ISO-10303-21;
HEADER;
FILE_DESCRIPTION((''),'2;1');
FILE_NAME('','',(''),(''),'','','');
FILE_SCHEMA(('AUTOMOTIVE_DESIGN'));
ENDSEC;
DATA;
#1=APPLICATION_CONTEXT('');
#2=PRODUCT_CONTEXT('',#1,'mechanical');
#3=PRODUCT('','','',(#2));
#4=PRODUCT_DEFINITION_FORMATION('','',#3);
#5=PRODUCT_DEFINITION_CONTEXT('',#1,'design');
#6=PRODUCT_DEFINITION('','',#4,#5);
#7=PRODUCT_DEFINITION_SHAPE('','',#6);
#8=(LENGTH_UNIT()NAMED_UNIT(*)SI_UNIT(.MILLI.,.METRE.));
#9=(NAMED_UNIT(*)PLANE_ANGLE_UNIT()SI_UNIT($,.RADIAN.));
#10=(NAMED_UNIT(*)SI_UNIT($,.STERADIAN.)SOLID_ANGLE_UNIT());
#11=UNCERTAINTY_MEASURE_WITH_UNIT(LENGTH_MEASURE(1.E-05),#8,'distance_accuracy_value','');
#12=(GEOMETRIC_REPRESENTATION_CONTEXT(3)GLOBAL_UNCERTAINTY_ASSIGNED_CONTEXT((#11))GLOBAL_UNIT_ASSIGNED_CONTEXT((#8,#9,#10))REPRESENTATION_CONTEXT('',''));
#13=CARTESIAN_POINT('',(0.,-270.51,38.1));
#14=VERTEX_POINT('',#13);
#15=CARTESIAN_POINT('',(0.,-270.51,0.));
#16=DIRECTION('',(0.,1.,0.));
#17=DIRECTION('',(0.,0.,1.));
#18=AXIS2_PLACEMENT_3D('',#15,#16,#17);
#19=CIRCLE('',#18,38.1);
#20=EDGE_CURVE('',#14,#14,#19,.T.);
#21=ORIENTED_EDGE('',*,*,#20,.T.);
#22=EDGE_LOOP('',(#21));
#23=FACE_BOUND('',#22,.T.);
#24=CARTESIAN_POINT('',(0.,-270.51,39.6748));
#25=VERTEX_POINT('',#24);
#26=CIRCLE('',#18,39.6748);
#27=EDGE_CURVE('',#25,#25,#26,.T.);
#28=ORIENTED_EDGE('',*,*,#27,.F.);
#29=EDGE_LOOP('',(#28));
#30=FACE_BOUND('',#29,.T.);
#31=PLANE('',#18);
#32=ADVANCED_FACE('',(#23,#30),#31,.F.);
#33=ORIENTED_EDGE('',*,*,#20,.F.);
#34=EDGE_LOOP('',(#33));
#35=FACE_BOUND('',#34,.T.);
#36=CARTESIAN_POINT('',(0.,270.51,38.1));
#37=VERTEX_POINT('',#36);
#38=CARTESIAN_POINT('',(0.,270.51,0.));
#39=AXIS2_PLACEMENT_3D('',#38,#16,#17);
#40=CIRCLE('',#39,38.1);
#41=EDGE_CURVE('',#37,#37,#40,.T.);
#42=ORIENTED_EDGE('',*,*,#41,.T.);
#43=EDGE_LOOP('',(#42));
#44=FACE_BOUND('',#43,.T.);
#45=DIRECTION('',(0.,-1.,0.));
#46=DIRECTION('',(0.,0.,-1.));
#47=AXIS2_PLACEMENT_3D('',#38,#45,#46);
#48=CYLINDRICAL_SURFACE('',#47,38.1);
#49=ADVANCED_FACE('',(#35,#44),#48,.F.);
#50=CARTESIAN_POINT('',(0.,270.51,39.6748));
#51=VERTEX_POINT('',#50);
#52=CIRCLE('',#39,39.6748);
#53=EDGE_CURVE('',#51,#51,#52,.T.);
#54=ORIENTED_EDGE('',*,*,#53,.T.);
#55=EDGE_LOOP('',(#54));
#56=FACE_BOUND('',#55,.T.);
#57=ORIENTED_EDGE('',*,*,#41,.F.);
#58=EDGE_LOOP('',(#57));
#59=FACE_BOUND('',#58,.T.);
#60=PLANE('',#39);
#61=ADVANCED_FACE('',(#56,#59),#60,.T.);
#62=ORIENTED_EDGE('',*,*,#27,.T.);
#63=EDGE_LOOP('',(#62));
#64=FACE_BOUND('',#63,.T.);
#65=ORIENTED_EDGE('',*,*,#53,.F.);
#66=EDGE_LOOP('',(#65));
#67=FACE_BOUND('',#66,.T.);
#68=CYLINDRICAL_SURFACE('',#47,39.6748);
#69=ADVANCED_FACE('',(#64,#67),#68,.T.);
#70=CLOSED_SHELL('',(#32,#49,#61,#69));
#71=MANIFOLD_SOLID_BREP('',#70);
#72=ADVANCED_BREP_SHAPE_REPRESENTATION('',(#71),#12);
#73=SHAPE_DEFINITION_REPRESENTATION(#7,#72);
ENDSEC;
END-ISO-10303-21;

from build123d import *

# Parameters (mm, degrees)
SKETCH1_R           = 39.6748
SKETCH1_R_2         = 38.1
BOSS_EXTRUDE1_DEPTH = 270.51


with BuildPart() as part:
    # Sketch1 → Boss-Extrude1 (new body, symmetric)
    with BuildSketch(Plane(origin=(0, 0, 0), x_dir=(1, 0, 0), z_dir=(0, 1, 0))):
        Circle(SKETCH1_R)
        Circle(SKETCH1_R_2, mode=Mode.SUBTRACT)
    extrude(amount=BOSS_EXTRUDE1_DEPTH, both=True)


solid = part.part
